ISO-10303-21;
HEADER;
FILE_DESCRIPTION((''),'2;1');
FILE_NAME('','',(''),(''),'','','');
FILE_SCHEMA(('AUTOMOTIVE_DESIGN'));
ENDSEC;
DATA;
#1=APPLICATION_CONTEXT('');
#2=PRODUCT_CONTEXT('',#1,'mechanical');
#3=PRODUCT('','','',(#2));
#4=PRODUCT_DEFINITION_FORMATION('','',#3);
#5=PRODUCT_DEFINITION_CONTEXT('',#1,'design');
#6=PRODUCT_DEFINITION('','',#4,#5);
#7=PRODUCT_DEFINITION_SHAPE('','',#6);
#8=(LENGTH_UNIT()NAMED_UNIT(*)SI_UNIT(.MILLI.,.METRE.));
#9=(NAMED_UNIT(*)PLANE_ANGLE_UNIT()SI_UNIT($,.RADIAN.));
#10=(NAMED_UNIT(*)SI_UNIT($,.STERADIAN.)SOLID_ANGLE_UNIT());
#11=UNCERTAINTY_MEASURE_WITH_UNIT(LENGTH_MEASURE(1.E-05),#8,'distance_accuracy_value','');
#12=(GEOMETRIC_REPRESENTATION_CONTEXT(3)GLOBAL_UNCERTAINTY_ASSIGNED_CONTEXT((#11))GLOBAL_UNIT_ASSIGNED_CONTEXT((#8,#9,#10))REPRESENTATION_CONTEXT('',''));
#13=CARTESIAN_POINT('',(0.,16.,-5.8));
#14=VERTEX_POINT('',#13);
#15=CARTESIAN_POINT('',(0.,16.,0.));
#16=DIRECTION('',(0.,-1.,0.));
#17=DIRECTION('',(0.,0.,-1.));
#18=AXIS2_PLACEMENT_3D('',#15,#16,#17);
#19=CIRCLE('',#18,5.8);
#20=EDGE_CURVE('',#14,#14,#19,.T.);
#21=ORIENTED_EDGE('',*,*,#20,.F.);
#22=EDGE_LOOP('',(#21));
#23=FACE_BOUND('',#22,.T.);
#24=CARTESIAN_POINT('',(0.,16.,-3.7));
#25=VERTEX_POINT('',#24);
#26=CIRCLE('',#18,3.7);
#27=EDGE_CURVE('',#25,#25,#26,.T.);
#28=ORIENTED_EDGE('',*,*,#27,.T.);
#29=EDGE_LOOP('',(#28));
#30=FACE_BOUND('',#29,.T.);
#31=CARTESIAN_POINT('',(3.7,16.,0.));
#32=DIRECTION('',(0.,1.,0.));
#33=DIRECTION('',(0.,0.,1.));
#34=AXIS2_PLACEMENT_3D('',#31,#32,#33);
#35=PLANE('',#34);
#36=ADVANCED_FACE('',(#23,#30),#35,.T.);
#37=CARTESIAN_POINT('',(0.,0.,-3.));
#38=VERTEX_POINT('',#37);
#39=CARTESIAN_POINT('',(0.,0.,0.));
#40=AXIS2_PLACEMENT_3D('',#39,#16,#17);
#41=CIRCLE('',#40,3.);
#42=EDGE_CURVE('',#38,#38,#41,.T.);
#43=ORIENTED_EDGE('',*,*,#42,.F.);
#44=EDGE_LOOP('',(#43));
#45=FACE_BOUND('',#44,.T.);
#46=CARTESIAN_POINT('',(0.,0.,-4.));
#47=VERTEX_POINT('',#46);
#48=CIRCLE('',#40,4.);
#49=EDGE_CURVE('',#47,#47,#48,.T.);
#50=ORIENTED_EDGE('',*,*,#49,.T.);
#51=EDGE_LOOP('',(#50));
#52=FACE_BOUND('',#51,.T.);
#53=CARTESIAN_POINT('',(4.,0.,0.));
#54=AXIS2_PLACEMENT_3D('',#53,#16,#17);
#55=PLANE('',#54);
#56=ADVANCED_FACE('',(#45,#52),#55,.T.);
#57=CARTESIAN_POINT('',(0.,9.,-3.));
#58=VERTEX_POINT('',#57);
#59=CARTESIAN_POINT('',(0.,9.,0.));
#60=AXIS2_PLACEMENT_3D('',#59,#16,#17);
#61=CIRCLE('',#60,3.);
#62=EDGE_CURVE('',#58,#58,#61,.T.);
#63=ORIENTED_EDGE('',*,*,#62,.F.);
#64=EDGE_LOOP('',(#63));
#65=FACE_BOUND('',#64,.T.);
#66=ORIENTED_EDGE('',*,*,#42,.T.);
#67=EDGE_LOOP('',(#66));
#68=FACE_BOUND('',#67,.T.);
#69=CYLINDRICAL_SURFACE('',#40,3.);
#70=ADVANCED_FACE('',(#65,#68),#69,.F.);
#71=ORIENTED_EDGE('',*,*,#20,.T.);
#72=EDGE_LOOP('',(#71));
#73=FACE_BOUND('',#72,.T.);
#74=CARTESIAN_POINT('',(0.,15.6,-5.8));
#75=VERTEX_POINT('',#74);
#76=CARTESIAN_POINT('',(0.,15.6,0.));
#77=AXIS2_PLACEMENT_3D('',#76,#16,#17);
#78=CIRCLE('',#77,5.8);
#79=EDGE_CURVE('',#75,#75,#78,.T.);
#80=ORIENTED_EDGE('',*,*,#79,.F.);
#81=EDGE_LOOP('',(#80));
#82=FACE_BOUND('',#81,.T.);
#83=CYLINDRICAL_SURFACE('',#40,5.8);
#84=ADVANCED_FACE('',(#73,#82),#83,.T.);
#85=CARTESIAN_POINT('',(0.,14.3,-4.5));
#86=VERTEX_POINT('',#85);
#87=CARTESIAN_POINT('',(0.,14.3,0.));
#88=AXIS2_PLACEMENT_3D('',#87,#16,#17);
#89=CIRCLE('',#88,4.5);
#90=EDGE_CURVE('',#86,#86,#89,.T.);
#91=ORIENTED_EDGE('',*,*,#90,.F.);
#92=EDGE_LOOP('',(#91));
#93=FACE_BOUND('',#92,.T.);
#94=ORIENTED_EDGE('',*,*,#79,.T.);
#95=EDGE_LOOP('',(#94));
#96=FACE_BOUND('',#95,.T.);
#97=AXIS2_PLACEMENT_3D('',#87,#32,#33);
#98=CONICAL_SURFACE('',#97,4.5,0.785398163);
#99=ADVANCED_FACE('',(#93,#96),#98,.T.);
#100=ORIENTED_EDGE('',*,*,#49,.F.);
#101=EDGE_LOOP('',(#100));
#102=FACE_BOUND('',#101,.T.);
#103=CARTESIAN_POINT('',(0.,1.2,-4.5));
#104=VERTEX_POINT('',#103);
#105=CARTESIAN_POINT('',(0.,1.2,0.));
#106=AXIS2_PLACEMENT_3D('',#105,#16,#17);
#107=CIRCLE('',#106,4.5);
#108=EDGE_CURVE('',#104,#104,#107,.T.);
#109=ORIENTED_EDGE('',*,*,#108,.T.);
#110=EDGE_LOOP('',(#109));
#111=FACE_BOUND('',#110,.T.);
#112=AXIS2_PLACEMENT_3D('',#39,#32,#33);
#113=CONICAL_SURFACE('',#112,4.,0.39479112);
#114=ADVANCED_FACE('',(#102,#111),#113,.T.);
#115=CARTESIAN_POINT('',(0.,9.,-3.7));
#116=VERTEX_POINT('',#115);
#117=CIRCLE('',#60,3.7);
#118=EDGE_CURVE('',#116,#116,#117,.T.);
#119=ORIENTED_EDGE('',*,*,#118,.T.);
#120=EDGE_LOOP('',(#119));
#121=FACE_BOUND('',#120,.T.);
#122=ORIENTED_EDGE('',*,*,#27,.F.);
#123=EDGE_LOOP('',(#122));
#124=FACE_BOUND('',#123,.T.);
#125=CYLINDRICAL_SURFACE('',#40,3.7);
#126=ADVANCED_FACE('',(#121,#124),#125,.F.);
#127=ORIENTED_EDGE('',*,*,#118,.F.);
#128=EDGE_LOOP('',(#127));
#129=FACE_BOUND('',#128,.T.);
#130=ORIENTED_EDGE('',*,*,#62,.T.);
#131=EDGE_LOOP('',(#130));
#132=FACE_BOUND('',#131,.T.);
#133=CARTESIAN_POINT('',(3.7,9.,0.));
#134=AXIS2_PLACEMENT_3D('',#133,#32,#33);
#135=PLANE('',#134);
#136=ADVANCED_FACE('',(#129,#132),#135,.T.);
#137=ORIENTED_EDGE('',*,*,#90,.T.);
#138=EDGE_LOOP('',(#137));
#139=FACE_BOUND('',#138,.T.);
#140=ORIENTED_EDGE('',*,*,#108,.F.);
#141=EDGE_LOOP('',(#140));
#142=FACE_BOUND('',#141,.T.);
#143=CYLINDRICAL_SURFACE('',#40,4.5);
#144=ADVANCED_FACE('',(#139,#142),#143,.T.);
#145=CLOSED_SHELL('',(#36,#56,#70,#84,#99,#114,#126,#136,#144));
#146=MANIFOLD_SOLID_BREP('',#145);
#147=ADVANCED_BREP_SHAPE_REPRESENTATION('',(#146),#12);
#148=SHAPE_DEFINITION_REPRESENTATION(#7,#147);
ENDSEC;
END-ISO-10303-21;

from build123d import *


with BuildPart() as part:
    # Esquisse1 → Révolution1 (revolve)
    with BuildSketch(Plane.XY, mode=Mode.PRIVATE) as r_volution1_sk:
        Polygon((3.7, 9), (3.7, 16), (5.8, 16), (5.8, 15.6), (4.5, 14.3), (4.5, 1.2), (4, 0), (3.7, 0), (3, 0), (3, 9), align=None)
    revolve(r_volution1_sk.sketch.rotate(Axis((0, 0, 0), (0, 1, 0)), 90), axis=Axis((0, 0, 0), (0, 1, 0)))


solid = part.part
